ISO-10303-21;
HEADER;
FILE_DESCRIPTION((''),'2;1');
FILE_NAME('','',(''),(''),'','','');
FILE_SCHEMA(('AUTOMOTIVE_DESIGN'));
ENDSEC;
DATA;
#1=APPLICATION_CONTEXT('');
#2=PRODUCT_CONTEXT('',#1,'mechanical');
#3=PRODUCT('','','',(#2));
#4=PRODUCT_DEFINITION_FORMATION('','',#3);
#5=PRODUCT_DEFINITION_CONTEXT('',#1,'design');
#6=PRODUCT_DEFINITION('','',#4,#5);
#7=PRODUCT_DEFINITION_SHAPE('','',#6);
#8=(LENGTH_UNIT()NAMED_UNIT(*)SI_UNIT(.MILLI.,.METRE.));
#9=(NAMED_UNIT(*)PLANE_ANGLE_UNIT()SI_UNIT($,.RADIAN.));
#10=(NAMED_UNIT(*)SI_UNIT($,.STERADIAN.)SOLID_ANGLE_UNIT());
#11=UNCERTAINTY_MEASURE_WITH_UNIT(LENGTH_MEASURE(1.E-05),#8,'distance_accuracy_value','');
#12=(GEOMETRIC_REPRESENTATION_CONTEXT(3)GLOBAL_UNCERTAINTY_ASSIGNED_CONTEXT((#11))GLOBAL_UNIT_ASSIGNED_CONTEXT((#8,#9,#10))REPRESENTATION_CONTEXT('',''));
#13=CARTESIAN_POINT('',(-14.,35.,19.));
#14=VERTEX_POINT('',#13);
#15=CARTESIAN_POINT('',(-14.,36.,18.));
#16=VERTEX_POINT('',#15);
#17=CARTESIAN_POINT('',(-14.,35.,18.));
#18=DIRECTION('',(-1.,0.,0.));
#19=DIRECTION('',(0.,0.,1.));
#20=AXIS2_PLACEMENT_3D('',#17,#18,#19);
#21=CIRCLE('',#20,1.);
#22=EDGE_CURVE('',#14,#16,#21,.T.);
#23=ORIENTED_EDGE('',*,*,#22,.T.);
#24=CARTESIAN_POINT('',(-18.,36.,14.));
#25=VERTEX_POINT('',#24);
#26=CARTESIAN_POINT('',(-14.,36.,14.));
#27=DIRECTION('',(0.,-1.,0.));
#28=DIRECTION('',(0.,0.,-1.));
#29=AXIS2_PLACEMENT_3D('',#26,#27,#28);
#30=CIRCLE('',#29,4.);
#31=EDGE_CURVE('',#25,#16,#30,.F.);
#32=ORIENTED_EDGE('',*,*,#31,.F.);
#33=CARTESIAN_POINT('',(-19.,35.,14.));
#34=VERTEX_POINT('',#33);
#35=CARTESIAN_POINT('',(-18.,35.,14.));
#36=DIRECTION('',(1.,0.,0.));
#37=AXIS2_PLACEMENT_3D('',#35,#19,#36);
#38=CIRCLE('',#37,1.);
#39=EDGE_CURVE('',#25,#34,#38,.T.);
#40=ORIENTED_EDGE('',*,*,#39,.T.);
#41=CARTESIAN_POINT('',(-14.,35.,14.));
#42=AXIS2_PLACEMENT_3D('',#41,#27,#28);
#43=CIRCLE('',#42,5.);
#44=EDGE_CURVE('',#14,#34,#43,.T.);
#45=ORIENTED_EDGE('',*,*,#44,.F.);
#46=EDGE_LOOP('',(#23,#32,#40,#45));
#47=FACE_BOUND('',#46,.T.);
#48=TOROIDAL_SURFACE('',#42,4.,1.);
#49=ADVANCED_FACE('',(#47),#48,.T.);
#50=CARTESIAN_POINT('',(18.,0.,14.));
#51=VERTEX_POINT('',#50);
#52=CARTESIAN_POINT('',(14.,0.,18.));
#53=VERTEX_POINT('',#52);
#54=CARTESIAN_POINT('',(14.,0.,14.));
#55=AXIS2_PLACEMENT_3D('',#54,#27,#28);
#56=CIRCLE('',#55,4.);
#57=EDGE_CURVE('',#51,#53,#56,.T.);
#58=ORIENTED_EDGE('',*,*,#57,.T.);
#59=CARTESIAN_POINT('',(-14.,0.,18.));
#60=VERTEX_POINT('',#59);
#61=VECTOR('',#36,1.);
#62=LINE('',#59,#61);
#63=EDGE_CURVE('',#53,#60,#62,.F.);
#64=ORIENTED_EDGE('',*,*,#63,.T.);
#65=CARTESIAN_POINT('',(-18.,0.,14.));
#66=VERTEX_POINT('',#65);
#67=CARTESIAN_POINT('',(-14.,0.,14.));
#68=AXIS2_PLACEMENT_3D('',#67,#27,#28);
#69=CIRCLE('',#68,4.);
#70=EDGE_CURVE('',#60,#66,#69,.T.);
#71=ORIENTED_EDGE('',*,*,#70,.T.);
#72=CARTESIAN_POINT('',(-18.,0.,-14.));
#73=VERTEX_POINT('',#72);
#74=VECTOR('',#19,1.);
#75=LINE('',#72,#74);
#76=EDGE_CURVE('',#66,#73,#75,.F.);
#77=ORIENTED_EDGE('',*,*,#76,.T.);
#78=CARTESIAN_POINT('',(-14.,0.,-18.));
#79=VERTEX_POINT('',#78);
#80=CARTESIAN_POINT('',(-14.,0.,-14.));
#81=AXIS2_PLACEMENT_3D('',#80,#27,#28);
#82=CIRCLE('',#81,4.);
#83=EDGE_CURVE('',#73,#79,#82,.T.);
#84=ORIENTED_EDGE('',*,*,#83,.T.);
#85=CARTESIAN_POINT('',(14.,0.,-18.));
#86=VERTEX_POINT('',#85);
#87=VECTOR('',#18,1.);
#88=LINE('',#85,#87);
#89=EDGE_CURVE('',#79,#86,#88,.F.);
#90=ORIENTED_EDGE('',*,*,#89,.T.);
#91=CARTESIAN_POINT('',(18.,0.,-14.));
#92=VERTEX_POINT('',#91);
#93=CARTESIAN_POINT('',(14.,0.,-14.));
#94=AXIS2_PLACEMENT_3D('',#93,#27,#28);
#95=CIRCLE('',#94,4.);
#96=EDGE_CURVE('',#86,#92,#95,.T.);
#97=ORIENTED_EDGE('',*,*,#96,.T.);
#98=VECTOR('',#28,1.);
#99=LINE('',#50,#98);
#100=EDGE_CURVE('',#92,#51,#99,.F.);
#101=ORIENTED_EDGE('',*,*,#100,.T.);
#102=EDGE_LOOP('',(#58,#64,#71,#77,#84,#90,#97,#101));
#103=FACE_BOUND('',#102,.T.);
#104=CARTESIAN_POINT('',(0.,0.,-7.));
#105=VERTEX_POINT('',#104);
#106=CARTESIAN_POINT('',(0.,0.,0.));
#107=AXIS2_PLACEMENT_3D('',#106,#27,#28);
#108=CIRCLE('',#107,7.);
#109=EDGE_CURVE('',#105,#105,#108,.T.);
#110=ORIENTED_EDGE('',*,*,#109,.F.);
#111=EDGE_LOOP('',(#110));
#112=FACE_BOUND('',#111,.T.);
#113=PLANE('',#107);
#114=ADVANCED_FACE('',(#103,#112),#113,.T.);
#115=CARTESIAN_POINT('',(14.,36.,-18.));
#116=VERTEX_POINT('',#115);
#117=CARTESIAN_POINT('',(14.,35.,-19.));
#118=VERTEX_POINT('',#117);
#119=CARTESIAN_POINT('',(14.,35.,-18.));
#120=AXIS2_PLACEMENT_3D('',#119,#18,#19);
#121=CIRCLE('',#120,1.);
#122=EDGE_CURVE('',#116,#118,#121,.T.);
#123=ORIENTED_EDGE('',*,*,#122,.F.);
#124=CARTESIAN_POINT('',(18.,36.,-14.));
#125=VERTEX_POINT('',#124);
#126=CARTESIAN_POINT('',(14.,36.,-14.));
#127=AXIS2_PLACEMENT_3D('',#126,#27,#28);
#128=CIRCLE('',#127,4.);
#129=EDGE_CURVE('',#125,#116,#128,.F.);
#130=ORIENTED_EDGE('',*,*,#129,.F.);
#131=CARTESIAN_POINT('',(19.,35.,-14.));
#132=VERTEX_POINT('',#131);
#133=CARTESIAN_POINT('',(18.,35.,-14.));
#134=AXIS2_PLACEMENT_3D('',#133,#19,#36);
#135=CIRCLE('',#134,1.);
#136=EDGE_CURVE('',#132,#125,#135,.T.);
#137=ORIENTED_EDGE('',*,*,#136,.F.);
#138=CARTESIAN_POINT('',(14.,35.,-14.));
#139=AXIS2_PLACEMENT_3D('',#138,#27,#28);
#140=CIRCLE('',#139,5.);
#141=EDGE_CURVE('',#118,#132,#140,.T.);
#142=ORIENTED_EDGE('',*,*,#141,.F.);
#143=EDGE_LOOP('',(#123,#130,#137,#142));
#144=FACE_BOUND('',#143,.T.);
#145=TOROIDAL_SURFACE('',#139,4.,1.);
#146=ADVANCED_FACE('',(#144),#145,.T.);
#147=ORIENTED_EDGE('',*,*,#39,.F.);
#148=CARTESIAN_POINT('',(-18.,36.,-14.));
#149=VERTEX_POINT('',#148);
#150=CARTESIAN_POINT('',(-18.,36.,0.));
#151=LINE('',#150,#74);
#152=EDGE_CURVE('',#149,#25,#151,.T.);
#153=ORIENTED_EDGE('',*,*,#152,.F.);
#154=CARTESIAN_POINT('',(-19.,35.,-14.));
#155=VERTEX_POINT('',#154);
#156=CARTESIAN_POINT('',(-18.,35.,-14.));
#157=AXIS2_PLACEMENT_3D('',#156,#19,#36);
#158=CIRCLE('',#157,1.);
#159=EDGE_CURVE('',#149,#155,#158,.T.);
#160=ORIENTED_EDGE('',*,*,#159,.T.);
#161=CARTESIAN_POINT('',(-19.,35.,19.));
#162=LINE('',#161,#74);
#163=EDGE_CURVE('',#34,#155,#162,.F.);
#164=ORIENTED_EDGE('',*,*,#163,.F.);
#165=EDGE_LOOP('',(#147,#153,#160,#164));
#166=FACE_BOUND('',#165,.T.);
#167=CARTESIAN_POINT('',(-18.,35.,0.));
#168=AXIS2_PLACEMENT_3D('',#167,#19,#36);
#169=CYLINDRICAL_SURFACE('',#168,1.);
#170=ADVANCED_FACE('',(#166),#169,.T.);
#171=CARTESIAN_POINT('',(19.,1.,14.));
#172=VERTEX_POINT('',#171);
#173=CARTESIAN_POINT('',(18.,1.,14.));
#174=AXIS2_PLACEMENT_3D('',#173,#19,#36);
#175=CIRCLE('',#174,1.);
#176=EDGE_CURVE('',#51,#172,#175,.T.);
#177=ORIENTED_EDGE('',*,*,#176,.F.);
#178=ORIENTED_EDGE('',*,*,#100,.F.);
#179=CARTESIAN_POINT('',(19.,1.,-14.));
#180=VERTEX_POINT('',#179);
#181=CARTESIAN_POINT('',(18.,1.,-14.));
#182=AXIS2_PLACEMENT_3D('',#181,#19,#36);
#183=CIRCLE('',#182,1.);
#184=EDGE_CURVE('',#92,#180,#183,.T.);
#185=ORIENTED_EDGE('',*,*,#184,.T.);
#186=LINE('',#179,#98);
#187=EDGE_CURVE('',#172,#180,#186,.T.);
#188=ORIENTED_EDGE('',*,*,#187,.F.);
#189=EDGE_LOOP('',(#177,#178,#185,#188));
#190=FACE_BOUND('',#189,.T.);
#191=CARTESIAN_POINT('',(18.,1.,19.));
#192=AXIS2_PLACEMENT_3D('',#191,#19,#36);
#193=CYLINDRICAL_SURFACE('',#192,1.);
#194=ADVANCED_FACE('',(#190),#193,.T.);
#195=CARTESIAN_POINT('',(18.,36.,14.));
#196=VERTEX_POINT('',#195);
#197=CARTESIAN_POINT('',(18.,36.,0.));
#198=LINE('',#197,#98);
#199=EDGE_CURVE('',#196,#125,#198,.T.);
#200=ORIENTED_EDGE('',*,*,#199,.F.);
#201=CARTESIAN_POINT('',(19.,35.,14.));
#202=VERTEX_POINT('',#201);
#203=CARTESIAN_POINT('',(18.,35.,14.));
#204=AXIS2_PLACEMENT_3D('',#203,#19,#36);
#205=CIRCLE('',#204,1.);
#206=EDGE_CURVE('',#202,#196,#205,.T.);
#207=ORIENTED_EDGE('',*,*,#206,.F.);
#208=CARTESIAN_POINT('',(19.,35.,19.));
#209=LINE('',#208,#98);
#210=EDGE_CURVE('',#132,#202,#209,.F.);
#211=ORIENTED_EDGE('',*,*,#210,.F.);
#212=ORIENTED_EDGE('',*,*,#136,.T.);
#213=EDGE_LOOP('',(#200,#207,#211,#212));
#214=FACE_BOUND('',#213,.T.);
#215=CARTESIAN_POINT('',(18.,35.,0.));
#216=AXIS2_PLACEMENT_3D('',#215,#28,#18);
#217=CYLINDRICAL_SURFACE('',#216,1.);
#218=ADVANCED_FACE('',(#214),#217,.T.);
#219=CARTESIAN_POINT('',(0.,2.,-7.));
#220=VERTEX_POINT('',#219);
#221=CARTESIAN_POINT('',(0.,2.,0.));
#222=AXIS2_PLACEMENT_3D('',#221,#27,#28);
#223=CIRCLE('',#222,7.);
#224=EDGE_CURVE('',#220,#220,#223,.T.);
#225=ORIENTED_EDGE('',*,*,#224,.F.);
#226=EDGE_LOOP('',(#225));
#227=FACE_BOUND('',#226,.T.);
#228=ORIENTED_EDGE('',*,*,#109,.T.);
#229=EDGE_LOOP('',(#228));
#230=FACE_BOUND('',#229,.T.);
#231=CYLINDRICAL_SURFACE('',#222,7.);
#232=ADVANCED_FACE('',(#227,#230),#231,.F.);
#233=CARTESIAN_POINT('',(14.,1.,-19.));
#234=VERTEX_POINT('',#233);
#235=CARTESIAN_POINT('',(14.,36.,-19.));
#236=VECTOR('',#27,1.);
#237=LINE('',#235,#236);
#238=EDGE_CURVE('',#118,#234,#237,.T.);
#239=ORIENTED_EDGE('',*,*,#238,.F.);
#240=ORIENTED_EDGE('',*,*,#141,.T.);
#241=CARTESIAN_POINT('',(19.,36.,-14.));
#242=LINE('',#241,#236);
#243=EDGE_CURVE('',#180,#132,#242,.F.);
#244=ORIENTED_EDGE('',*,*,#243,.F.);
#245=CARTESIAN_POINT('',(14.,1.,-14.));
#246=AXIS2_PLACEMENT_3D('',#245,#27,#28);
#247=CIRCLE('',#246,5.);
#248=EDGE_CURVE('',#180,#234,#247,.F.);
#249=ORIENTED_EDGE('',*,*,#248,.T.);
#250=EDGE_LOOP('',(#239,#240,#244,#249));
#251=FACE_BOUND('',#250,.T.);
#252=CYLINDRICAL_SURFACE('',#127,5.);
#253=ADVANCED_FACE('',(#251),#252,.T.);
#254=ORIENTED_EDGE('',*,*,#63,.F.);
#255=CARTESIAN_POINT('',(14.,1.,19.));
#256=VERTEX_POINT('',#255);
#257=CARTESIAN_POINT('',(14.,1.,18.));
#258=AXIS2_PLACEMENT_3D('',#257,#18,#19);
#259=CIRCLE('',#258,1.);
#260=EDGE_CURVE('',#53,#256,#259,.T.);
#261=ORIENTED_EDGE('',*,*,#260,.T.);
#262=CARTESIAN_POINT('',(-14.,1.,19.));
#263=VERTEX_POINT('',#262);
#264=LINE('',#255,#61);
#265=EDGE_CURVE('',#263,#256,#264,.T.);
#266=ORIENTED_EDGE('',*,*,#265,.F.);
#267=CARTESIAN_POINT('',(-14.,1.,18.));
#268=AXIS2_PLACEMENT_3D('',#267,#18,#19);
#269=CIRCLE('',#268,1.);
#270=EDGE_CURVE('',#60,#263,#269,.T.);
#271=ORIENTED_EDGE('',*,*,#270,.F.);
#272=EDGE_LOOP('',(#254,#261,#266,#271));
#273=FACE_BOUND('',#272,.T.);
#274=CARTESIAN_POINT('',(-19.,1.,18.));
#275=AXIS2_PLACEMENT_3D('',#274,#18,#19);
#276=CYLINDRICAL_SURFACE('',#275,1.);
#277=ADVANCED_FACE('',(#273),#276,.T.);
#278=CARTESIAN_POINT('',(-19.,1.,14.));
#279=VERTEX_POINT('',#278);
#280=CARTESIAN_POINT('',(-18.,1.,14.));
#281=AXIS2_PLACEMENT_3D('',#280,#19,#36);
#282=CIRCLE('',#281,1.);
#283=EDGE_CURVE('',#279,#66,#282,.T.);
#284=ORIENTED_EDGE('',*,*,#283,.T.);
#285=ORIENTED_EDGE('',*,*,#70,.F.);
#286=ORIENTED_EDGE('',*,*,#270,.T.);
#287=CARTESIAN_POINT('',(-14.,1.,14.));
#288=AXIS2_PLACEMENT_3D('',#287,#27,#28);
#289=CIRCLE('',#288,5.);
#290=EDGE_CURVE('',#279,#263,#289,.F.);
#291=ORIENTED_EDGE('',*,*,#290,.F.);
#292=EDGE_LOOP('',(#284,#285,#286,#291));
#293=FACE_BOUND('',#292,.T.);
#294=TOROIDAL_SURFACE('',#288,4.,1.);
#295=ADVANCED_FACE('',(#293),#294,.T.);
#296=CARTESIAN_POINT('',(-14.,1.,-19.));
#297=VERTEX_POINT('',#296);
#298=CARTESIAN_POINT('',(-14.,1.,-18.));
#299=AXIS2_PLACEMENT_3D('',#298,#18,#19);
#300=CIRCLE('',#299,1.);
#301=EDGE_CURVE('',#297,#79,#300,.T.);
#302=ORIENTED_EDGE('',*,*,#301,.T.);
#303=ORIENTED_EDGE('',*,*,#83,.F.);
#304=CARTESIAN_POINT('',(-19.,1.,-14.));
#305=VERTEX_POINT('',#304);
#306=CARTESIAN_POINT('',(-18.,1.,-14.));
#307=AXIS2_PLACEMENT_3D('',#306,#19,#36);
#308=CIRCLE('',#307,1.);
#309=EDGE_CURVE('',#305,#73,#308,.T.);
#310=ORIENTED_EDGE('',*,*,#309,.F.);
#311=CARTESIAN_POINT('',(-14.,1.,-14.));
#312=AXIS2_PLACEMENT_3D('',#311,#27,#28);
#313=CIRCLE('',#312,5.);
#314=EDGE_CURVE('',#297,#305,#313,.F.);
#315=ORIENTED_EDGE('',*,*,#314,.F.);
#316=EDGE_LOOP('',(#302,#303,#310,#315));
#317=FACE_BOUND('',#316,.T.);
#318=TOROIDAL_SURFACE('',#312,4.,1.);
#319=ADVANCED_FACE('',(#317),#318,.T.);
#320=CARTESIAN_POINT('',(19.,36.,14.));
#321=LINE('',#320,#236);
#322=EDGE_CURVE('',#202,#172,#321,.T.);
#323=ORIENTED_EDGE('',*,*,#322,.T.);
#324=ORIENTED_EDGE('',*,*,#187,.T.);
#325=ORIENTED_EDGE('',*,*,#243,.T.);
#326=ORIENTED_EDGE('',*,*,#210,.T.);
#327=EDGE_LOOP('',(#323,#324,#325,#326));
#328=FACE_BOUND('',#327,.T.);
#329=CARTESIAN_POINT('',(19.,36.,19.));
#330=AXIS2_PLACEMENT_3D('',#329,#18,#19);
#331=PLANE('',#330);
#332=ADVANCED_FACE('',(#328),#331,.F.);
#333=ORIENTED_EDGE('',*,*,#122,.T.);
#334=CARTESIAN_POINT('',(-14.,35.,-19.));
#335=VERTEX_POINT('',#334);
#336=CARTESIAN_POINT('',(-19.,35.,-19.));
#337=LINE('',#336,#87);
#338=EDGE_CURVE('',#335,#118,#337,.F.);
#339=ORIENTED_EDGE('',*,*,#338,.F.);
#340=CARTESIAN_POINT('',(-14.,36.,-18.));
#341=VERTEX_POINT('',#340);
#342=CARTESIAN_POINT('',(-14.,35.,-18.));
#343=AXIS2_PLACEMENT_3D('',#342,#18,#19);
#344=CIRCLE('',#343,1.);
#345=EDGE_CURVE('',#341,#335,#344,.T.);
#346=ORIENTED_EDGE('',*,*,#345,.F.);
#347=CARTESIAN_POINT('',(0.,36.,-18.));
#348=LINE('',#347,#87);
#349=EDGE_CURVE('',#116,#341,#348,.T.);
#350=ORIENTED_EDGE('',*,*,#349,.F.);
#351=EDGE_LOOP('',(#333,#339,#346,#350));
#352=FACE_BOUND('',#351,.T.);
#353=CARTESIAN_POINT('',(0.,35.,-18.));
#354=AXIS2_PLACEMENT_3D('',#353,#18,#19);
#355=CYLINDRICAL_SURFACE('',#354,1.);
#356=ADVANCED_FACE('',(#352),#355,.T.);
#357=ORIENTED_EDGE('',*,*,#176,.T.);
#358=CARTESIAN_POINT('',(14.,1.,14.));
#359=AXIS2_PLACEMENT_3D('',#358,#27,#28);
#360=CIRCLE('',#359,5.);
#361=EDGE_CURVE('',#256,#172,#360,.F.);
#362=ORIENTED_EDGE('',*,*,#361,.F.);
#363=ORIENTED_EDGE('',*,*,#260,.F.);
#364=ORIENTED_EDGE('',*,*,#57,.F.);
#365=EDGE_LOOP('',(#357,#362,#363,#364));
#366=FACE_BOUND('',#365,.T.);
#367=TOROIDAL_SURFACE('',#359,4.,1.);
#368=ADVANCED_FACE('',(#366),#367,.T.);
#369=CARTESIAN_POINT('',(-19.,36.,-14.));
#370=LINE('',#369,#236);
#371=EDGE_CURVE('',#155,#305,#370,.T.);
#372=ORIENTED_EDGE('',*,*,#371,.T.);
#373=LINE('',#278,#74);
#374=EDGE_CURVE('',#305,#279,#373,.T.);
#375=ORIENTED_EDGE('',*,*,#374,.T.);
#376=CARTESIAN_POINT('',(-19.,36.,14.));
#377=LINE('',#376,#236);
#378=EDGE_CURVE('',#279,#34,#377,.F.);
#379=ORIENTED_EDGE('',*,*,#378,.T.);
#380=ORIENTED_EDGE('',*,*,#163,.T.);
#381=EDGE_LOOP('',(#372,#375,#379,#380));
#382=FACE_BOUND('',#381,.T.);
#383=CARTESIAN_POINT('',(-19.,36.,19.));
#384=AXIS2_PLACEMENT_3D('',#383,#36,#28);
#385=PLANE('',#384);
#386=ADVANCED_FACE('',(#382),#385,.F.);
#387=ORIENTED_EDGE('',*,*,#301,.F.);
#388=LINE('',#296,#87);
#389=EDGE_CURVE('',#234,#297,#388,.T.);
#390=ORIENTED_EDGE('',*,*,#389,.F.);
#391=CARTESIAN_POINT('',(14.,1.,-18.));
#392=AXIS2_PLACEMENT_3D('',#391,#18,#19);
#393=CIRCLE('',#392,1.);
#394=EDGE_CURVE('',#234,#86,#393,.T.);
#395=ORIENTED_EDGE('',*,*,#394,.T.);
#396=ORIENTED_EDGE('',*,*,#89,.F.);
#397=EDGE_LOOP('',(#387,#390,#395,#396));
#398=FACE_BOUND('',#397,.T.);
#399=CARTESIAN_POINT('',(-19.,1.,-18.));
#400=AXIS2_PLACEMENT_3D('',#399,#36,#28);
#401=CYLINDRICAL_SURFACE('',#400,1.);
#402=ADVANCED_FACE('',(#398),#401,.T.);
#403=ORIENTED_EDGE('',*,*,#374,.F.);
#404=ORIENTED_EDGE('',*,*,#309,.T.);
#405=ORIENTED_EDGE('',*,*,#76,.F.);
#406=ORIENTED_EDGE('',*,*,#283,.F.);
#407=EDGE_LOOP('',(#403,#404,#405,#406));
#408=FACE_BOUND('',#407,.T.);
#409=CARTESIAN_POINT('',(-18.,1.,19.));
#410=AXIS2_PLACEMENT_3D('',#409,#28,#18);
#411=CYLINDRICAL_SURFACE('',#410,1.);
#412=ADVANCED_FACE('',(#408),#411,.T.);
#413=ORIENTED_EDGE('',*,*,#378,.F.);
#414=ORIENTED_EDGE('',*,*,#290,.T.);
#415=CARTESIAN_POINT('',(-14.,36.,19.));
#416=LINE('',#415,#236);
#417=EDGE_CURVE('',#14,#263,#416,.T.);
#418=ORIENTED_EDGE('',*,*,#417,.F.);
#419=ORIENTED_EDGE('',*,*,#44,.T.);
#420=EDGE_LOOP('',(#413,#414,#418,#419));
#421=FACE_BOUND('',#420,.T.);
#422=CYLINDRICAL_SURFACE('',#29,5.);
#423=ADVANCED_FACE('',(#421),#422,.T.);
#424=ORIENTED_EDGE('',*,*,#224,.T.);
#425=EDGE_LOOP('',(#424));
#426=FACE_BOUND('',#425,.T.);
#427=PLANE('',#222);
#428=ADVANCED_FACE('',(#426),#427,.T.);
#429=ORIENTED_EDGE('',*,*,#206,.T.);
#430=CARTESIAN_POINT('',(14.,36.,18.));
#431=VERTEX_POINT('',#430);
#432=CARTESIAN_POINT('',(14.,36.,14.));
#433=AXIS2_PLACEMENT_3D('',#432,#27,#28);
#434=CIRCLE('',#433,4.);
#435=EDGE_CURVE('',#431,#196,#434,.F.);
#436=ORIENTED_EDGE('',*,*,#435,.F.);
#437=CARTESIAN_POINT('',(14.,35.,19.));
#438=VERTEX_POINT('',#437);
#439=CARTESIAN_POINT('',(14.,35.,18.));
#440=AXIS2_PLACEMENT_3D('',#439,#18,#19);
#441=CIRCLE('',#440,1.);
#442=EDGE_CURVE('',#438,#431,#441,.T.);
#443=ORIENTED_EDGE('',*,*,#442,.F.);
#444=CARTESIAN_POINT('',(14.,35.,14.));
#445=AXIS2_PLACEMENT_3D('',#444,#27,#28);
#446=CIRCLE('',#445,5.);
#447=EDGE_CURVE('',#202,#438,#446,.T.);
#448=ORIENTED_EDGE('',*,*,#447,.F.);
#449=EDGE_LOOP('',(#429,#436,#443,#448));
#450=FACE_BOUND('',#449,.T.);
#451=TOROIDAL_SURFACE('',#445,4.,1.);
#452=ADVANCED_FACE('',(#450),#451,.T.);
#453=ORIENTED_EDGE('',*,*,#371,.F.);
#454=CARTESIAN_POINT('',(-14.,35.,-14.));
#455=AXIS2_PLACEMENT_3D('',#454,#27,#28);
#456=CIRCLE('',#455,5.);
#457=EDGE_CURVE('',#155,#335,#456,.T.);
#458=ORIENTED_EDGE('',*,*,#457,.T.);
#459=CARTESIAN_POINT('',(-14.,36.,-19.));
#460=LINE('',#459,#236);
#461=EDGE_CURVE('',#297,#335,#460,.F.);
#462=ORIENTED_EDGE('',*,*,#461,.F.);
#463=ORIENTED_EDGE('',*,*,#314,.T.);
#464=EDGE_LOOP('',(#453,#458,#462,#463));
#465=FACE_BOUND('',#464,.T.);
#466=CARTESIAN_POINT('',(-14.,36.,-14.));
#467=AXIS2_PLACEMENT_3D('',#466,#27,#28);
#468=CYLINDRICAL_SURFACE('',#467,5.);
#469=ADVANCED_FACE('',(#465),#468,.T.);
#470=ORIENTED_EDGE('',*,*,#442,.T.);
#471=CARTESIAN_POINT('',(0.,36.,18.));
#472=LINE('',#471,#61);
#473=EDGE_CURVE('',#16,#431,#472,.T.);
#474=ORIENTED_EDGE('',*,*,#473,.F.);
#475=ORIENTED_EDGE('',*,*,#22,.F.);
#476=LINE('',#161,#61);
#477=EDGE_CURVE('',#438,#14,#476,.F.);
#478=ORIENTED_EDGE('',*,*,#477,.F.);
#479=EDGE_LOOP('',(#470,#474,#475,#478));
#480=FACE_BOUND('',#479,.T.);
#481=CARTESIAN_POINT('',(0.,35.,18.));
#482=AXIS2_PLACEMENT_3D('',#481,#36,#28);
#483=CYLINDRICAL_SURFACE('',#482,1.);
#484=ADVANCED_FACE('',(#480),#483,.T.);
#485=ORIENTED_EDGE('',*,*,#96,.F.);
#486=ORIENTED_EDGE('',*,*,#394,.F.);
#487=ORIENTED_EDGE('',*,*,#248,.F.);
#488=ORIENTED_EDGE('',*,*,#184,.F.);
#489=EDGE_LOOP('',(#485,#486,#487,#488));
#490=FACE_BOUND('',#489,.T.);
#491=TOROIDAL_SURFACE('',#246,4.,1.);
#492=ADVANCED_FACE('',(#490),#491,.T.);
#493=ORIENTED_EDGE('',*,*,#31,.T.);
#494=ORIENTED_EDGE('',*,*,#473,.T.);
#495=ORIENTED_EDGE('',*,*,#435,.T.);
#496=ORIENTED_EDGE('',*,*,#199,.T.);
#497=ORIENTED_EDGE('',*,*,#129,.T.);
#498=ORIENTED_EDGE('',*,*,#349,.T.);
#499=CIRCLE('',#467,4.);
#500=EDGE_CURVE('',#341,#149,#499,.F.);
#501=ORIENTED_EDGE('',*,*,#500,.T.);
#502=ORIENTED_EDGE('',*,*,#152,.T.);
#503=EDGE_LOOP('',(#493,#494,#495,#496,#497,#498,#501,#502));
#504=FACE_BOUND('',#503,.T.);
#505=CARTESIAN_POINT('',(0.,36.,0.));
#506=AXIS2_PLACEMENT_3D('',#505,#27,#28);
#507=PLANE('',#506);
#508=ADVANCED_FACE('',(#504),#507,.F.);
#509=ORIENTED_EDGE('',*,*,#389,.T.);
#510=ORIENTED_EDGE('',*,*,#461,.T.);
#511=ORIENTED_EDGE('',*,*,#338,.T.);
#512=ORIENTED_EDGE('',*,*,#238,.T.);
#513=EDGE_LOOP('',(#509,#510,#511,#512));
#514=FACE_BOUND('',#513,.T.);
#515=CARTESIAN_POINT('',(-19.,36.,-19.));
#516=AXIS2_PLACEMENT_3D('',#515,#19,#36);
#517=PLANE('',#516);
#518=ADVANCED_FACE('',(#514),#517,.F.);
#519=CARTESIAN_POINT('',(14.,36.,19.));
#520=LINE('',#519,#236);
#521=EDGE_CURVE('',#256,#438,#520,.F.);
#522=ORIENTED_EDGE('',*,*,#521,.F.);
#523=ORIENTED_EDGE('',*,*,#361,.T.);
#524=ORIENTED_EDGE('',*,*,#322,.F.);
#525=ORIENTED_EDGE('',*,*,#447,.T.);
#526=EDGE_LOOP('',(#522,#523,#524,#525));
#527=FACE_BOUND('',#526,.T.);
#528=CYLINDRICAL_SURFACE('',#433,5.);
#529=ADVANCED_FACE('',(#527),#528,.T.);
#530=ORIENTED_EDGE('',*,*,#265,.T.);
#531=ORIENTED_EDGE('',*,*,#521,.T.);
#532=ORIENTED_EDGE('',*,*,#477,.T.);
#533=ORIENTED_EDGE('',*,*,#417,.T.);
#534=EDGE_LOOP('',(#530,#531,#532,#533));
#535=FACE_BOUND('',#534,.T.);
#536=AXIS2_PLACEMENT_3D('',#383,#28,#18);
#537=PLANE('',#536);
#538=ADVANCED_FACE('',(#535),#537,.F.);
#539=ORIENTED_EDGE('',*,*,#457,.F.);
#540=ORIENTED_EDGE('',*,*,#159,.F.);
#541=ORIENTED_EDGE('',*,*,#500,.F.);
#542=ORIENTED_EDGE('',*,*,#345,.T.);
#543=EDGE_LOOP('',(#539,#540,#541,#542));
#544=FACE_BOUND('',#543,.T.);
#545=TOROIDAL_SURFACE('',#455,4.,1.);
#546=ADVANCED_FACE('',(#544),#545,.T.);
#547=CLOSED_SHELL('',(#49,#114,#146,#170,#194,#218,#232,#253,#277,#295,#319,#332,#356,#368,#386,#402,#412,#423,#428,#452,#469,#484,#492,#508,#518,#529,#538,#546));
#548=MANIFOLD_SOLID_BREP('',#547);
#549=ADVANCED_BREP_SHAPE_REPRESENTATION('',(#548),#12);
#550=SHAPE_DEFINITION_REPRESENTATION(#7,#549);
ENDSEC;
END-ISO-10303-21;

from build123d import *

# Parameters (mm, degrees)
SKETCH1_W           = 38
SKETCH1_H           = 38
BOSS_EXTRUDE1_DEPTH = 36
SKETCH3_R           = 7
CUT_EXTRUDE1_DEPTH  = 2
FILLET1_R           = 5
FILLET2_R           = 1


with BuildPart() as part:
    # Sketch1 → Boss-Extrude1 (new body)
    with BuildSketch(Plane(origin=(0, 0, 0), x_dir=(1, 0, 0), z_dir=(0, 1, 0))):
        Rectangle(SKETCH1_W, SKETCH1_H)
    extrude(amount=BOSS_EXTRUDE1_DEPTH)

    # Sketch3 → Cut-Extrude1 (cut)
    with BuildSketch(Plane.XZ):
        with Locations(Location((0, 0, 0), (0, 0, 270))):
            Circle(SKETCH3_R)
    extrude(amount=-CUT_EXTRUDE1_DEPTH, mode=Mode.SUBTRACT)

    # Fillet1
    fillet1_edges = [part.edges().sort_by_distance(p)[0] for p in [
        (19, 18, 19),
        (-19, 18, 19),
        (-19, 18, -19),
        (19, 18, -19),
    ]]
    fillet(fillet1_edges, radius=FILLET1_R)

    # Fillet2
    fillet2_edges = [part.edges().sort_by_distance(p)[0] for p in [
        (0, 0, -19),
        (0, 36, -19),
        (19, 0, 0),
        (0, 0, 19),
        (-19, 0, 0),
        (-17.535533906, 0, 17.535533906),
        (-17.535533906, 0, -17.535533906),
        (17.535533906, 0, 17.535533906),
        (17.535533906, 0, -17.535533906),
        (19, 36, 0),
        (-19, 36, 0),
        (0, 36, 19),
        (-17.535533906, 36, 17.535533906),
        (-17.535533906, 36, -17.535533906),
        (17.535533906, 36, 17.535533906),
        (17.535533906, 36, -17.535533906),
    ]]
    fillet(fillet2_edges, radius=FILLET2_R)


solid = part.part
